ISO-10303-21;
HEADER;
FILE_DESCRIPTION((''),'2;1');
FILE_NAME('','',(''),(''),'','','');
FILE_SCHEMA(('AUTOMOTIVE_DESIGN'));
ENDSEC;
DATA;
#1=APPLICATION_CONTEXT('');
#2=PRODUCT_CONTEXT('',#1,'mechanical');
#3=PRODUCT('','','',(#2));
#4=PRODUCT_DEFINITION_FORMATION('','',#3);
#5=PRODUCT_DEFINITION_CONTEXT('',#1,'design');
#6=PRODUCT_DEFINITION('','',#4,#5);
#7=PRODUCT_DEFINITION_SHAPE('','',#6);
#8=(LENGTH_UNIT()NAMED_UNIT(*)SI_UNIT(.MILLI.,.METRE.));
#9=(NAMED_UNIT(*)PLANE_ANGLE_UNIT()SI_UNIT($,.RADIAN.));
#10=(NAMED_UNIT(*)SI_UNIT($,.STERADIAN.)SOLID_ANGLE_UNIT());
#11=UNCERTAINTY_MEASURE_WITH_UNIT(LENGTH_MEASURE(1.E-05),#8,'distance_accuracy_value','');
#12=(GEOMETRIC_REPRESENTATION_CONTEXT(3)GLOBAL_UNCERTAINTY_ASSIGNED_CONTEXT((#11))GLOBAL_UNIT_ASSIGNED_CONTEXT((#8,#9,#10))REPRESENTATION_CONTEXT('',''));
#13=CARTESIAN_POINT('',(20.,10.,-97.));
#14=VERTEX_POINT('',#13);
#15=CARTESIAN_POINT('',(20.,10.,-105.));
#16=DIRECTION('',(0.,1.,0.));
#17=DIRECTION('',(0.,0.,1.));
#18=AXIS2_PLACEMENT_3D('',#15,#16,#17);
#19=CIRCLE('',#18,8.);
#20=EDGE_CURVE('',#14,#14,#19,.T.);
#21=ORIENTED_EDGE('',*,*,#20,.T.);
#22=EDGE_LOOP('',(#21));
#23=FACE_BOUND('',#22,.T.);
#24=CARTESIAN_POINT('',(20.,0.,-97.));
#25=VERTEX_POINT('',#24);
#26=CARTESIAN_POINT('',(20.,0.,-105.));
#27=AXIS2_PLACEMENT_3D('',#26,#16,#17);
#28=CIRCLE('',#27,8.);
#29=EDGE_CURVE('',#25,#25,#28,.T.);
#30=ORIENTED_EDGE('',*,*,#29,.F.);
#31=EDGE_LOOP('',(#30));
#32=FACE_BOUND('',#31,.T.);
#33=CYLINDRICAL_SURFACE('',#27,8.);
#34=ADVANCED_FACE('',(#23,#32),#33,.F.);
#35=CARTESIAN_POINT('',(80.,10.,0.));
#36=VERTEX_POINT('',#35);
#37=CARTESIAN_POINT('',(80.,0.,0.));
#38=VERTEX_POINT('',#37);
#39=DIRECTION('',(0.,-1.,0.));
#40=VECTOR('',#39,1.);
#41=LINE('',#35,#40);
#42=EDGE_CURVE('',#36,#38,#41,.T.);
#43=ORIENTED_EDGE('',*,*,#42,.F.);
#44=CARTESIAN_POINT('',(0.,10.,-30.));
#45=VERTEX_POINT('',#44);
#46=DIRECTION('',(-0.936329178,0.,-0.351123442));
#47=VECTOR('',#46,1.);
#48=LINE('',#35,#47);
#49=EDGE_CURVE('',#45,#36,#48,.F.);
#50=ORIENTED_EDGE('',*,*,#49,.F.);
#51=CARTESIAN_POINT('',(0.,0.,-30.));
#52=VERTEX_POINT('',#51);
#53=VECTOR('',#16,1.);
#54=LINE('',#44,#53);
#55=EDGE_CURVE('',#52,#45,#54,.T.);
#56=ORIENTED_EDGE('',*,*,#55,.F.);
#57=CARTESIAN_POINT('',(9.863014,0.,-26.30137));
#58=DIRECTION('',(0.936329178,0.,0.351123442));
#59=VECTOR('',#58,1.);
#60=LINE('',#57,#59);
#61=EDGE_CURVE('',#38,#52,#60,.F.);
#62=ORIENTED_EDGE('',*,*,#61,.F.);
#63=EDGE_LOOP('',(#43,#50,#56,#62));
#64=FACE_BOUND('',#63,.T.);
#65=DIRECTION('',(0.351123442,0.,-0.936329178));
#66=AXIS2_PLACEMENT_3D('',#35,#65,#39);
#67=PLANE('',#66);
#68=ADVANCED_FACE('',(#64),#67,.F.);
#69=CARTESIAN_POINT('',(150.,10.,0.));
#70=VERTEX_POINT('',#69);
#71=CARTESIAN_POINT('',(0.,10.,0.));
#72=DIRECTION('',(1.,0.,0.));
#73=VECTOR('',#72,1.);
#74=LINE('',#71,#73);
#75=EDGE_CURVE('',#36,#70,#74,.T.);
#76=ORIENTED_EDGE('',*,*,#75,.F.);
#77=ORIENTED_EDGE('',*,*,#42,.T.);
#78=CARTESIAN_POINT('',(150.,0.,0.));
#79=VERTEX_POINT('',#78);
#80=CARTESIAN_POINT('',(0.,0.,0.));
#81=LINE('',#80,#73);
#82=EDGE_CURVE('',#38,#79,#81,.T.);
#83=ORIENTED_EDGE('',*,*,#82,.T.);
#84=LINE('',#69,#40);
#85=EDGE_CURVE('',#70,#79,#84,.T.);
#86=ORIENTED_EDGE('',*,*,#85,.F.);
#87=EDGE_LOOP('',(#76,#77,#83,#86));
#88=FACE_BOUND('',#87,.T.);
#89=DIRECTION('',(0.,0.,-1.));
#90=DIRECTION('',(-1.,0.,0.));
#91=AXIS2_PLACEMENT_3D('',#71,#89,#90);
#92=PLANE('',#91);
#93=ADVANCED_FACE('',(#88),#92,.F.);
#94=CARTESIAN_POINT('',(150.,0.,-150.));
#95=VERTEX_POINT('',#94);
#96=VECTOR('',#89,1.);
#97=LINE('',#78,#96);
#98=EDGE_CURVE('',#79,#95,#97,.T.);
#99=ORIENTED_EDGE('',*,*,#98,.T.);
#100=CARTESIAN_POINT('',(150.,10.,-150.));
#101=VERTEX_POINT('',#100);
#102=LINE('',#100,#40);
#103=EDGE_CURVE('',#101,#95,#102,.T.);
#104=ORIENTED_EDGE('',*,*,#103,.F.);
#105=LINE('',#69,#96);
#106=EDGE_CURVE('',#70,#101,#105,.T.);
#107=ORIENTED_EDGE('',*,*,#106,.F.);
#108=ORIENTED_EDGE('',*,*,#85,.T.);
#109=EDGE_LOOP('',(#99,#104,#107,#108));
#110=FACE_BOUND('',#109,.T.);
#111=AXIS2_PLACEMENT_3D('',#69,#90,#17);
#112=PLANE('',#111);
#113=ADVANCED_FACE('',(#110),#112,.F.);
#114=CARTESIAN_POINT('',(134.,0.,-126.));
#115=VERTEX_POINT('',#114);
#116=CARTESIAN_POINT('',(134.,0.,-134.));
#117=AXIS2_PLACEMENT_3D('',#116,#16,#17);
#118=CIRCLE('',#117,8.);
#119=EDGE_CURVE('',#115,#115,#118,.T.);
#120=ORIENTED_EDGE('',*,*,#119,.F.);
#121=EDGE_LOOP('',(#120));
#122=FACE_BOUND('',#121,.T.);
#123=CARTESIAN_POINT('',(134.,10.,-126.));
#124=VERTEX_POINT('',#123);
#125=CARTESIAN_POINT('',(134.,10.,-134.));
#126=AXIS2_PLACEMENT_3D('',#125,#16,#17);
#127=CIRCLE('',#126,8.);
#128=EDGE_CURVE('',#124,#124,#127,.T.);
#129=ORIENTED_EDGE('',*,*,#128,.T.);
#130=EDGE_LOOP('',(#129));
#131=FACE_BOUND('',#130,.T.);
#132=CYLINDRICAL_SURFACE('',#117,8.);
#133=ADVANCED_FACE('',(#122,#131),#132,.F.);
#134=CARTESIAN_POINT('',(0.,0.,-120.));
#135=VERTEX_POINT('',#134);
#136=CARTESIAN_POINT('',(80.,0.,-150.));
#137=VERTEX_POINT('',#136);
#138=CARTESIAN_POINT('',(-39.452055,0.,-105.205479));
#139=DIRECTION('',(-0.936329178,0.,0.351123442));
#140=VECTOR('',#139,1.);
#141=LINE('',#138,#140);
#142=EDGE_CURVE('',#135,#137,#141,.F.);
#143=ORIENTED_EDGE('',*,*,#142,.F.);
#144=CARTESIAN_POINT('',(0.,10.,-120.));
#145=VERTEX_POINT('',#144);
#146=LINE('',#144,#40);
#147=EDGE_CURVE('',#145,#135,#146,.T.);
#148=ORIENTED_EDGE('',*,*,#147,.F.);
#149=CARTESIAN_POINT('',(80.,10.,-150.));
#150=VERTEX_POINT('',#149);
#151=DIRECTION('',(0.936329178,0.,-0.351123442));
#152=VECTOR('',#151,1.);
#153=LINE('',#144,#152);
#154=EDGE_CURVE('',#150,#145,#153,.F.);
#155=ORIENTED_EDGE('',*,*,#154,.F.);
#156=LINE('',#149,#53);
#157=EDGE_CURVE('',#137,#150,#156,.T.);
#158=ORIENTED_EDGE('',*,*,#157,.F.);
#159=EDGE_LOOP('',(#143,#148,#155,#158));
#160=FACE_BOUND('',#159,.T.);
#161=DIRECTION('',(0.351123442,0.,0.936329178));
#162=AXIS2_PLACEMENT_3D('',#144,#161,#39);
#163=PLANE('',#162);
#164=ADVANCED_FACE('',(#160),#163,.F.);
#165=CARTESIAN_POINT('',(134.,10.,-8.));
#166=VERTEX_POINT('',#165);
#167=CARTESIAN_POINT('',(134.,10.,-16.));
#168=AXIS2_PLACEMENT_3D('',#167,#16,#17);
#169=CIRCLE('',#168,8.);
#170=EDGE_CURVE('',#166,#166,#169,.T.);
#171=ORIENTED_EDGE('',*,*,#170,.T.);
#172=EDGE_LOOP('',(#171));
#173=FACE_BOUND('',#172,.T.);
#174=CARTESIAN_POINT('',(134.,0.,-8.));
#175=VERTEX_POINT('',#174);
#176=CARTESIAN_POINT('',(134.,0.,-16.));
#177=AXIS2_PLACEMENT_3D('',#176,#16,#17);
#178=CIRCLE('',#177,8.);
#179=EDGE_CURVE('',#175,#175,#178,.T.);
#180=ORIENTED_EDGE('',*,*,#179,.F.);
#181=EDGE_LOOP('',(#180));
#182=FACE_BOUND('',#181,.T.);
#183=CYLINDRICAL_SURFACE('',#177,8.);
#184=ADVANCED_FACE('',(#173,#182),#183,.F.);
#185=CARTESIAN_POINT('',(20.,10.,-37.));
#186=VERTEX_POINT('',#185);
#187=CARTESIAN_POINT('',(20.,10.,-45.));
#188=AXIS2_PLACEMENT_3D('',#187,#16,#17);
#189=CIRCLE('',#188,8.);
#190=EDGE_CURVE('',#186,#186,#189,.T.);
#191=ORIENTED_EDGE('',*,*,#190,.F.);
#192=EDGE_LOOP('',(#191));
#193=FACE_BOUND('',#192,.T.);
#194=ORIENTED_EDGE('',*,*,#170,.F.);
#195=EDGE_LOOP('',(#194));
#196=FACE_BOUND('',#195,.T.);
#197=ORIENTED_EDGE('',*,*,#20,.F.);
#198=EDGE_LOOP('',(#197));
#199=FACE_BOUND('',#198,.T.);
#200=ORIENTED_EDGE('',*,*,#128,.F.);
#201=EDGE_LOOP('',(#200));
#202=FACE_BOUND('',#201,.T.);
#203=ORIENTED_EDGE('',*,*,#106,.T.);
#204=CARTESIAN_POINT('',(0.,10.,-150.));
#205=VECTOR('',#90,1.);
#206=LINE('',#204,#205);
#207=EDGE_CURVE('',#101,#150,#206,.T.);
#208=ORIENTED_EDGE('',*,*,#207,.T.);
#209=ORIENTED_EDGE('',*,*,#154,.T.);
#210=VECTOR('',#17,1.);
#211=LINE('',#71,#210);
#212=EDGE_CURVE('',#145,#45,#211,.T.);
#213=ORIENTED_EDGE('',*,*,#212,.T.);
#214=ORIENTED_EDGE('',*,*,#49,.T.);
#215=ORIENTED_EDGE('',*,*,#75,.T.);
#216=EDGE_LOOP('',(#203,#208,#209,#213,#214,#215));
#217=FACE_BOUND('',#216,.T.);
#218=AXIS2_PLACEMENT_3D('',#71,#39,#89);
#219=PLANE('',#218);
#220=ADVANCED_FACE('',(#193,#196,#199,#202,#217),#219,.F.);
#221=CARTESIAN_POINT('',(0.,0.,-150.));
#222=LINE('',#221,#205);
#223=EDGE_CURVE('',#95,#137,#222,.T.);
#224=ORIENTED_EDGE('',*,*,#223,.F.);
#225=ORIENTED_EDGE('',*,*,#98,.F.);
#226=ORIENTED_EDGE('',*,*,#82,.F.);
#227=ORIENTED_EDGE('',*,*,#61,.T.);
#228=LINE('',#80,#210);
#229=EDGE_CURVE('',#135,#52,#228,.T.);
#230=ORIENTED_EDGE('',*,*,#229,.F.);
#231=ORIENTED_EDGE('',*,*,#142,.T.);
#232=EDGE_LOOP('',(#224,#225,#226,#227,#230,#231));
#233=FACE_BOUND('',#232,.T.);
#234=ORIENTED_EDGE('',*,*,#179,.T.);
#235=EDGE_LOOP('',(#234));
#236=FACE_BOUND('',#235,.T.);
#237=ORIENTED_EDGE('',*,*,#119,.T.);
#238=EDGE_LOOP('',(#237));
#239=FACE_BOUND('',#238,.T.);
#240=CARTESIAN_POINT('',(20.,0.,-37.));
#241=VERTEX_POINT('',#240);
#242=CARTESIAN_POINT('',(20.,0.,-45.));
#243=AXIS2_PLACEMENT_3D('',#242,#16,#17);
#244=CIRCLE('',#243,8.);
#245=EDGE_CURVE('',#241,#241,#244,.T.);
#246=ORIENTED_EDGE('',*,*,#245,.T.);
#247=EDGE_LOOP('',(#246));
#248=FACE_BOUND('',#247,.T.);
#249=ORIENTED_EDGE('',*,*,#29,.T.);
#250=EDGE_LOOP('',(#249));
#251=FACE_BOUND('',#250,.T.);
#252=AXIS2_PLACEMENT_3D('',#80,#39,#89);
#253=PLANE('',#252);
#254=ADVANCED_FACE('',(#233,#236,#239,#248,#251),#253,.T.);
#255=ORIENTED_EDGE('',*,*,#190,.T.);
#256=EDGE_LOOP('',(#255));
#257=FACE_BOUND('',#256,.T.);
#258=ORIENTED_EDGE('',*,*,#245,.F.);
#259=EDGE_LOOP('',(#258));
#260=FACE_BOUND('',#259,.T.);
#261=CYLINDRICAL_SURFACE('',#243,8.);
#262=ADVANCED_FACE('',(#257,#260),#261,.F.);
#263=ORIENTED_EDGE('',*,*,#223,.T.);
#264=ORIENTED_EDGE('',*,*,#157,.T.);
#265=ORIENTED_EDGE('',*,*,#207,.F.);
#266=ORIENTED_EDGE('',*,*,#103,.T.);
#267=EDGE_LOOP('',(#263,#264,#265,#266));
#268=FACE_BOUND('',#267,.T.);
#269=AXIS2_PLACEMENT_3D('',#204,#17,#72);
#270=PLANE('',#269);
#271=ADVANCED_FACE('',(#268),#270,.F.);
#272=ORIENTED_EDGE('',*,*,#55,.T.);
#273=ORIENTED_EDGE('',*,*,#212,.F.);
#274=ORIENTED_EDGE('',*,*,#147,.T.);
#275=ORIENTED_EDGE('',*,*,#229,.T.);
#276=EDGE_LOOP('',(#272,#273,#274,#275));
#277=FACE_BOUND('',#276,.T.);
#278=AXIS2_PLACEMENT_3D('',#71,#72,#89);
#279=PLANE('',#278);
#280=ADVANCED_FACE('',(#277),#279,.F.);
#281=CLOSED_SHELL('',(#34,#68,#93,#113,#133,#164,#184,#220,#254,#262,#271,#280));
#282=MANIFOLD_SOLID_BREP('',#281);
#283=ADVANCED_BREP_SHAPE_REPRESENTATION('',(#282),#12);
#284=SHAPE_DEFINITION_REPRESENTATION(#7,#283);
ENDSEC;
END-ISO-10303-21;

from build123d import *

# Parameters (mm, degrees)
SKETCH1_W           = 150
SKETCH1_H           = 150
BOSS_EXTRUDE1_DEPTH = 10
CHAMFER1_SIZE       = 30
CHAMFER1_SIZE2      = 80
CHAMFER2_SIZE       = 80
CHAMFER2_SIZE2      = 30
SKETCH2_R           = 8
CUT_EXTRUDE1_DEPTH  = 10


with BuildPart() as part:
    # Sketch1 → Boss-Extrude1 (new body)
    with BuildSketch(Plane(origin=(0, 0, 0), x_dir=(1, 0, 0), z_dir=(0, 1, 0))):
        with Locations((75, 75)):
            Rectangle(SKETCH1_W, SKETCH1_H)
    extrude(amount=BOSS_EXTRUDE1_DEPTH)

    # Chamfer1
    chamfer1_edges = [part.edges().sort_by_distance(p)[0] for p in [
        (0, 5, 0),
    ]]
    chamfer1_side = [part.faces().sort_by_distance(p)[0] for p in [
        (0, 5, -75),
    ]]
    chamfer(chamfer1_edges, length=CHAMFER1_SIZE, length2=CHAMFER1_SIZE2, reference=chamfer1_side[0])

    # Chamfer2
    chamfer2_edges = [part.edges().sort_by_distance(p)[0] for p in [
        (0, 5, -150),
    ]]
    chamfer2_side = [part.faces().sort_by_distance(p)[0] for p in [
        (75, 5, -150),
    ]]
    chamfer(chamfer2_edges, length=CHAMFER2_SIZE, length2=CHAMFER2_SIZE2, reference=chamfer2_side[0])

    # Sketch2 → Cut-Extrude1 (cut)
    with BuildSketch(Plane(origin=(0, 10, 0), x_dir=(1, 0, 0), z_dir=(0, 1, 0))):
        with Locations((134, 134)):
            Circle(SKETCH2_R)
        with Locations((134, 16)):
            Circle(SKETCH2_R)
        with Locations((20, 105)):
            Circle(SKETCH2_R)
        with Locations((20, 45)):
            Circle(SKETCH2_R)
    extrude(amount=-CUT_EXTRUDE1_DEPTH, mode=Mode.SUBTRACT)


solid = part.part
